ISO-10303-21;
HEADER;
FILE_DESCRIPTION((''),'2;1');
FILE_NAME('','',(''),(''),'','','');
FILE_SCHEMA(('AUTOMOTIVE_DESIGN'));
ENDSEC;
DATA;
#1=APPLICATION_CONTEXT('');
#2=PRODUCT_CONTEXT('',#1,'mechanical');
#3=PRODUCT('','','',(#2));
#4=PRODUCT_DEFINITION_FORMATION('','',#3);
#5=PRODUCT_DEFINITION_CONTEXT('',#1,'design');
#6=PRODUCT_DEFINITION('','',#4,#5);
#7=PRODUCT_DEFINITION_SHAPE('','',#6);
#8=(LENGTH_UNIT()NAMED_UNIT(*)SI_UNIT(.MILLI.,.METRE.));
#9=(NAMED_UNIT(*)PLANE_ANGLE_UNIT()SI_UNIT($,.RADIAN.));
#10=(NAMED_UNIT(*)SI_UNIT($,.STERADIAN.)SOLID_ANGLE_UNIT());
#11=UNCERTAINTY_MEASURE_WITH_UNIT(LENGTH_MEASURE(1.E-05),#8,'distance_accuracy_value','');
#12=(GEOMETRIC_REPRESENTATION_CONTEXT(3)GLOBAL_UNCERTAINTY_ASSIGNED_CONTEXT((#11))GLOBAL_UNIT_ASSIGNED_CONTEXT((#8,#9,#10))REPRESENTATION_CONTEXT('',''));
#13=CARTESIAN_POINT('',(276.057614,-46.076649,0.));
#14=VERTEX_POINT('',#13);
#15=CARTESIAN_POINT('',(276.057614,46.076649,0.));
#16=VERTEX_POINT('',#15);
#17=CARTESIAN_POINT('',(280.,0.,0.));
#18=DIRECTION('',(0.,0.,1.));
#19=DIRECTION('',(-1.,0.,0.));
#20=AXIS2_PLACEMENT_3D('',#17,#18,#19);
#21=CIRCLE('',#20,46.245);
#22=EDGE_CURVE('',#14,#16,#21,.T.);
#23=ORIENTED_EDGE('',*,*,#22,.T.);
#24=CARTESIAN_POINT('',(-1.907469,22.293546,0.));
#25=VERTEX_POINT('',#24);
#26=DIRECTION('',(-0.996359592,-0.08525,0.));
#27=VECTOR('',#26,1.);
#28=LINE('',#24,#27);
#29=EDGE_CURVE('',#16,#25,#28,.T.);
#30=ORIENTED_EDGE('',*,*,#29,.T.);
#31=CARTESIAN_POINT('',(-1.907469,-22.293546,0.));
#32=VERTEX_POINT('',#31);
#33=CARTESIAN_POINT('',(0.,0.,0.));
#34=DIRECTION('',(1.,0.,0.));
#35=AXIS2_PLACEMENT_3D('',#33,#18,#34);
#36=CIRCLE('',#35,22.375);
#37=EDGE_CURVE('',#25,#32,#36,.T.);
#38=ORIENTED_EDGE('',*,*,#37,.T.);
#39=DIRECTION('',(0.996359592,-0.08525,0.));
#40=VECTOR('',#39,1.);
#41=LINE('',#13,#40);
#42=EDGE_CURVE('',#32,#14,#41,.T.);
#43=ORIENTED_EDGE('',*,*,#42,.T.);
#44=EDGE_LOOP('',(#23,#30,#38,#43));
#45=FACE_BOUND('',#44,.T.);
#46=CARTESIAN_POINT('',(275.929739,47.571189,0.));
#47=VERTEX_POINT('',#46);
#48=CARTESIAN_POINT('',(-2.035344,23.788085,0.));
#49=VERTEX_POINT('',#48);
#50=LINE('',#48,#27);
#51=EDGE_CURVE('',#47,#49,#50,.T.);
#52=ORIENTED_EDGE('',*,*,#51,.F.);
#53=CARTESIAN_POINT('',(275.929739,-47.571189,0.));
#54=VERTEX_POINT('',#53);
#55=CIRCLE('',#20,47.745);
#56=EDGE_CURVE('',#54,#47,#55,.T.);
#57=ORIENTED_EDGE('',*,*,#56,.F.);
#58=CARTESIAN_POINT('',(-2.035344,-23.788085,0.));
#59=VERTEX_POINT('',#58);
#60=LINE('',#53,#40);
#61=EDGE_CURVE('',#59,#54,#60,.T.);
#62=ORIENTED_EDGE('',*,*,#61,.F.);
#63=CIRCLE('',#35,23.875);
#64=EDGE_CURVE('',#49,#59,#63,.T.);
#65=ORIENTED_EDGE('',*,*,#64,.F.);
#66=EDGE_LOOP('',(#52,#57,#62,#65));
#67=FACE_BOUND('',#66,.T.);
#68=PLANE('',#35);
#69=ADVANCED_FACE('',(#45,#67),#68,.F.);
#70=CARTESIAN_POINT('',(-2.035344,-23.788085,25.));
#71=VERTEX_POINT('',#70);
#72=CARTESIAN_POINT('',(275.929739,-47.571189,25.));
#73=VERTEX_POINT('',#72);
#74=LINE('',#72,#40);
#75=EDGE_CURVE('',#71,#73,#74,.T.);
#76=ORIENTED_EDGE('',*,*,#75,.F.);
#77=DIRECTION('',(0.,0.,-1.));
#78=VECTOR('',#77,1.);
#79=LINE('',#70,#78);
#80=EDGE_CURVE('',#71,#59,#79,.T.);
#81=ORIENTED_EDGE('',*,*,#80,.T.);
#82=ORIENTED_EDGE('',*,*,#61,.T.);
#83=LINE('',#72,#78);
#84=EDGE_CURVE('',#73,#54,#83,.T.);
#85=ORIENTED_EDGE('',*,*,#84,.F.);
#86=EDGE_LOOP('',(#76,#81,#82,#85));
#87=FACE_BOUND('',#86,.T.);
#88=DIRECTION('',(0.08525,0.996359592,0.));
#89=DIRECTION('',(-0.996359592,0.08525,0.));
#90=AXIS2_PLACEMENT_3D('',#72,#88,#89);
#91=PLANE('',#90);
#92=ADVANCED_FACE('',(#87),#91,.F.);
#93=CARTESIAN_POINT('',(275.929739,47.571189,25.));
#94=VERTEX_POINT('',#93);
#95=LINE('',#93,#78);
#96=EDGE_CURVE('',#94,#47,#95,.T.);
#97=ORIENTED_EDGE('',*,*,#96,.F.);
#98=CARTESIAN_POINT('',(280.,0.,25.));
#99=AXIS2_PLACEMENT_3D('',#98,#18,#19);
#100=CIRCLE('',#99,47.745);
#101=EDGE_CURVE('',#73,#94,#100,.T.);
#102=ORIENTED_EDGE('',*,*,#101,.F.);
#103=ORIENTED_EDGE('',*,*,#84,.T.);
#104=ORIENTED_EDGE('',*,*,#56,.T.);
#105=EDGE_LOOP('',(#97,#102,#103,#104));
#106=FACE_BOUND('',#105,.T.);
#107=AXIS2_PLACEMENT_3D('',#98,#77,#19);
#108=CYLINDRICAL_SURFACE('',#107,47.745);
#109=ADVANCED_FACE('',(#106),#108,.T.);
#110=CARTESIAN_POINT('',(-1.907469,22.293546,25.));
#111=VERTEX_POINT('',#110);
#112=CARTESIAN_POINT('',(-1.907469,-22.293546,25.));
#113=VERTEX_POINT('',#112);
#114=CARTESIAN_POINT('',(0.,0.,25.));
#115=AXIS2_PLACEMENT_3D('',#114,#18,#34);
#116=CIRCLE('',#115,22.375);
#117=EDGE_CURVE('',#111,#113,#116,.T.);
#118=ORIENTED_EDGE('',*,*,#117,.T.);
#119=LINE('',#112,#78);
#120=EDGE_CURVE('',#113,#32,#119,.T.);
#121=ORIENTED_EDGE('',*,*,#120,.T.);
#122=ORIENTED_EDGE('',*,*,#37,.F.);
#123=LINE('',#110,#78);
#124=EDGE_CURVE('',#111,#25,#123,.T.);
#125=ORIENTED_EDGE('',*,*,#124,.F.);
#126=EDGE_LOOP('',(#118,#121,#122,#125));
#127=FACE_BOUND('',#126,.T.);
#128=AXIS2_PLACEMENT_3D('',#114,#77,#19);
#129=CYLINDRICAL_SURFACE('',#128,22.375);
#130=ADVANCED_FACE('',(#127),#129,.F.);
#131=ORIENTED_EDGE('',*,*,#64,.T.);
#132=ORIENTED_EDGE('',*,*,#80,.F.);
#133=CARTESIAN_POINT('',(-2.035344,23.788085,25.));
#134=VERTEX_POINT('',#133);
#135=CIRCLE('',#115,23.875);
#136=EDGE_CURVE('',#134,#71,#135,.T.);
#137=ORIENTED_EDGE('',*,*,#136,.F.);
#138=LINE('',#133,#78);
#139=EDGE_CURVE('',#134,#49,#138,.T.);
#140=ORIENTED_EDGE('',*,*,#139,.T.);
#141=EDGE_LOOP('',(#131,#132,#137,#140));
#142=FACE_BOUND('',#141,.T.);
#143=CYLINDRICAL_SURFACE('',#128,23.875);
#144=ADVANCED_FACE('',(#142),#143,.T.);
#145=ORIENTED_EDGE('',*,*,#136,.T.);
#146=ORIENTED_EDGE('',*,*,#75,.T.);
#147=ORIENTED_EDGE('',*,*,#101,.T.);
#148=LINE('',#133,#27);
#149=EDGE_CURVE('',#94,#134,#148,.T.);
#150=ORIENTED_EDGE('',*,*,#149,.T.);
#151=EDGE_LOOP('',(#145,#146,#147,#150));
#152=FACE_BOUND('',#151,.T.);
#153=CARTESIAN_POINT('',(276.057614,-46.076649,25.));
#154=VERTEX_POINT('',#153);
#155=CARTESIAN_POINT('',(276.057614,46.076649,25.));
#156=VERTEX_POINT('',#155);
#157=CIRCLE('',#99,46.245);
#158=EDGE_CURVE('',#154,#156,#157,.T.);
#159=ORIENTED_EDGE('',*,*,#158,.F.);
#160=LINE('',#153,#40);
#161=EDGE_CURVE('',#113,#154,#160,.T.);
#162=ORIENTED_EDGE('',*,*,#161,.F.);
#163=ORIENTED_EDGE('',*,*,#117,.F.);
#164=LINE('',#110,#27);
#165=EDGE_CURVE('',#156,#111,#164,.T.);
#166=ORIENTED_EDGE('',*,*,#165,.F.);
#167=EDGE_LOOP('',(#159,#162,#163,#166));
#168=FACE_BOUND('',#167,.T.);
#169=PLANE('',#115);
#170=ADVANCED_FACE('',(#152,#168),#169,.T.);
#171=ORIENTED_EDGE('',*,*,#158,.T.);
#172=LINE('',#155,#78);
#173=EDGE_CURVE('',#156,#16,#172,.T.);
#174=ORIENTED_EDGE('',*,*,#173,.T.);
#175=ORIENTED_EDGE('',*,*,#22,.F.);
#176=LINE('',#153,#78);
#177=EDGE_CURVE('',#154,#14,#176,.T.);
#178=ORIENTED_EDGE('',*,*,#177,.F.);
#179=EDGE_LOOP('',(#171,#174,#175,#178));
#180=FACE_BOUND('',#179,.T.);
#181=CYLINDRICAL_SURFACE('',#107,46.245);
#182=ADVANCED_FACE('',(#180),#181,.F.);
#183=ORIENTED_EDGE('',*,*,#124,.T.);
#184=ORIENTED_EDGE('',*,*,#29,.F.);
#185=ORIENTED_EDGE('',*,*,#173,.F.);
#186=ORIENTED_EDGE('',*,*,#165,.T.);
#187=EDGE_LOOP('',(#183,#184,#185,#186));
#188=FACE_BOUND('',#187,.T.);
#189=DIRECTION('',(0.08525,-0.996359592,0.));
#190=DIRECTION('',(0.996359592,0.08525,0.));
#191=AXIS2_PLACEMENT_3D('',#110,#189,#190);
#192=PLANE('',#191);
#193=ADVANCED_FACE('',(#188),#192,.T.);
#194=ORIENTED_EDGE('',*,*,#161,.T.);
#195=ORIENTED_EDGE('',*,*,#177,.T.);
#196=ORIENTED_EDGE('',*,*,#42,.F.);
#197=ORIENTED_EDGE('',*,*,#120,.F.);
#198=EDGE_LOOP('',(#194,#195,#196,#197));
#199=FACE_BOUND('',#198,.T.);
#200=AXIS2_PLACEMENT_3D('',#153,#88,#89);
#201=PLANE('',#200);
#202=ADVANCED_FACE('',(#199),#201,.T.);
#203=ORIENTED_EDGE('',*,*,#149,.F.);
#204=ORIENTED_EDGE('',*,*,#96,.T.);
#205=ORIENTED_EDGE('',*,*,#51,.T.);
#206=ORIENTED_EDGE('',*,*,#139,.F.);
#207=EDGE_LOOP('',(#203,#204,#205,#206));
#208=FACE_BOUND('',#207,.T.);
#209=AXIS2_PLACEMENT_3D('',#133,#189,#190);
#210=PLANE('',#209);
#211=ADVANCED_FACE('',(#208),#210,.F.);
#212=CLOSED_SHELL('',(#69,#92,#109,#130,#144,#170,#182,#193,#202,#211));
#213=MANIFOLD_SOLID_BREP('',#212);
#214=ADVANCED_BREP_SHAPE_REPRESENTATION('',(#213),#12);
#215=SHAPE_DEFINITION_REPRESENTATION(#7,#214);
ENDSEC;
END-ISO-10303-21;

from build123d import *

# Parameters (mm, degrees)
BOSS_EXTRUDE1_DEPTH = 25


with BuildPart() as part:
    # Sketch1 → Boss-Extrude1 (new body)
    with BuildSketch(Plane.XY):
        with BuildLine():
            Line((-2.03534375, 23.78808527), (275.92973875, 47.571188742))
            ThreePointArc((275.92973875, 47.571188742), (327.745, 0), (275.92973875, -47.571188742))
            Line((275.92973875, -47.571188742), (-2.03534375, -23.78808527))
            ThreePointArc((-2.03534375, -23.78808527), (-23.875, 0), (-2.03534375, 23.78808527))
        make_face()
        with BuildLine():
            Line((-1.90746875, 22.293545881), (276.05761375, 46.076649354))
            ThreePointArc((276.05761375, 46.076649354), (326.245, 0), (276.05761375, -46.076649354))
            Line((276.05761375, -46.076649354), (-1.90746875, -22.293545881))
            ThreePointArc((-1.90746875, -22.293545881), (-22.375, 0), (-1.90746875, 22.293545881))
        make_face(mode=Mode.SUBTRACT)
    extrude(amount=BOSS_EXTRUDE1_DEPTH)


solid = part.part
